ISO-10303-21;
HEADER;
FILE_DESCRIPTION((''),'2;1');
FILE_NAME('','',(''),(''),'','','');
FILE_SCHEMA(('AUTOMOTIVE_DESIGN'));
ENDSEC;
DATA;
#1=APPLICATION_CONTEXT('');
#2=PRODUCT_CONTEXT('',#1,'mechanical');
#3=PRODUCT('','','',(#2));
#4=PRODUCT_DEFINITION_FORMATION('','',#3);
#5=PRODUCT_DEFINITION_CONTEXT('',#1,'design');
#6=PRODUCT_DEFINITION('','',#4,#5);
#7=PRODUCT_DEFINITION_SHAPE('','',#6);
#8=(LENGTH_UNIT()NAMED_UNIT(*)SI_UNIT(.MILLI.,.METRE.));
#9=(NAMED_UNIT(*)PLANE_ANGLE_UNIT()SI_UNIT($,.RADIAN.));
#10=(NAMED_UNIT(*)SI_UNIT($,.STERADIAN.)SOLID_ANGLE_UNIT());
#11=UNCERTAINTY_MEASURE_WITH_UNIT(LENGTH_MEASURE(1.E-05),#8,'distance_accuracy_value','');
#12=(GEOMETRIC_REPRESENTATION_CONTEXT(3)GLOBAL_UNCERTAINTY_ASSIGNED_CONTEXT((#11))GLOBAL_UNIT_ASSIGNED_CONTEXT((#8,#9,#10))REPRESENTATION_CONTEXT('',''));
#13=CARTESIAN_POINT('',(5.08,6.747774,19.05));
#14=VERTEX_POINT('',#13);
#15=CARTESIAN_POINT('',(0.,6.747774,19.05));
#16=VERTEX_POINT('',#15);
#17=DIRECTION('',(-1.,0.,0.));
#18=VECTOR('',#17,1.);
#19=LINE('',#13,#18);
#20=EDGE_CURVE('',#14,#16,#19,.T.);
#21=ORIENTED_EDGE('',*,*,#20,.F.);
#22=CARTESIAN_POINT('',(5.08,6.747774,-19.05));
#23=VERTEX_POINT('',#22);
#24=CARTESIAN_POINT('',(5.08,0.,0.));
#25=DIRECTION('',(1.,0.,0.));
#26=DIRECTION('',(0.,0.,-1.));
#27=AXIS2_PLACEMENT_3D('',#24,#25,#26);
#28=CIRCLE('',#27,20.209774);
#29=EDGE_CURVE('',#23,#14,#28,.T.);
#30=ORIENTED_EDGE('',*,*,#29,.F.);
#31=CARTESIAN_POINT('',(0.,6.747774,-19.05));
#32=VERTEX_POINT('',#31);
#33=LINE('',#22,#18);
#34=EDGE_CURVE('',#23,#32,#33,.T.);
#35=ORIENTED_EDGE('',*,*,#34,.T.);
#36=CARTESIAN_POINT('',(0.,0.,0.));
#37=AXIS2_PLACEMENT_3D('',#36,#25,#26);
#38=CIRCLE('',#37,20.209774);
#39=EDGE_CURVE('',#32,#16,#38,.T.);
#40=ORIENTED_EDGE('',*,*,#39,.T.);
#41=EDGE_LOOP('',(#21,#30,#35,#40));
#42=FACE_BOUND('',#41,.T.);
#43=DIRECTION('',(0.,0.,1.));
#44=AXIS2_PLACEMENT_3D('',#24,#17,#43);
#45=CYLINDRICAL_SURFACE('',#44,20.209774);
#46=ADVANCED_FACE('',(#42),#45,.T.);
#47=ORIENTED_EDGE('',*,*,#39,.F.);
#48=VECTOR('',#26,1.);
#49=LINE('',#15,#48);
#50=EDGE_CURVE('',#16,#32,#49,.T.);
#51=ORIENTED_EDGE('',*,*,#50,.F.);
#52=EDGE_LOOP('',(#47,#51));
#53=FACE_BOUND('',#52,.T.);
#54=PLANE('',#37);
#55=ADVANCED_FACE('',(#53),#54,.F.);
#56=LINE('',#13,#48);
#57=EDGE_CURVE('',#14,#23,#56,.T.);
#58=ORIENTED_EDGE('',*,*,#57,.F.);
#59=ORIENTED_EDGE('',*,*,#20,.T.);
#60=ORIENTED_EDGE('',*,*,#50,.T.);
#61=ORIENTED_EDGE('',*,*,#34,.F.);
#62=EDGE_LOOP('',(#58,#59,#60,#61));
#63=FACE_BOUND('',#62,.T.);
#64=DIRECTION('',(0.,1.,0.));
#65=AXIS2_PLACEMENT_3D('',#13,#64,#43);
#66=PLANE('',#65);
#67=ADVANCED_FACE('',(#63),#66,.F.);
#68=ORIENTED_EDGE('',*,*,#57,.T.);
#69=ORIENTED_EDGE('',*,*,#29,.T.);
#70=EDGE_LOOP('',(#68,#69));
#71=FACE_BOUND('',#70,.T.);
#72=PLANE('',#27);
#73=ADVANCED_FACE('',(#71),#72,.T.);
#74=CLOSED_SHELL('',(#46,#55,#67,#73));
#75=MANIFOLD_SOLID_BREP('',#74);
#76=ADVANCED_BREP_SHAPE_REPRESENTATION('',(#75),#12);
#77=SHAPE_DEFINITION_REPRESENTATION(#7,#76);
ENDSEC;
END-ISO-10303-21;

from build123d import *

# Parameters (mm, degrees)
BOSS_EXTRUDE2_DEPTH = 5.08


with BuildPart() as part:
    # Sketch2 → Boss-Extrude2 (new body)
    with BuildSketch(Plane(origin=(0, 0, 0), x_dir=(0, 0, -1), z_dir=(1, 0, 0))):
        with BuildLine():
            Line((-19.05, 6.747773585), (19.05, 6.747773585))
            ThreePointArc((19.05, 6.747773585), (0, 20.209773585), (-19.05, 6.747773585))
        make_face()
    extrude(amount=BOSS_EXTRUDE2_DEPTH)


solid = part.part
